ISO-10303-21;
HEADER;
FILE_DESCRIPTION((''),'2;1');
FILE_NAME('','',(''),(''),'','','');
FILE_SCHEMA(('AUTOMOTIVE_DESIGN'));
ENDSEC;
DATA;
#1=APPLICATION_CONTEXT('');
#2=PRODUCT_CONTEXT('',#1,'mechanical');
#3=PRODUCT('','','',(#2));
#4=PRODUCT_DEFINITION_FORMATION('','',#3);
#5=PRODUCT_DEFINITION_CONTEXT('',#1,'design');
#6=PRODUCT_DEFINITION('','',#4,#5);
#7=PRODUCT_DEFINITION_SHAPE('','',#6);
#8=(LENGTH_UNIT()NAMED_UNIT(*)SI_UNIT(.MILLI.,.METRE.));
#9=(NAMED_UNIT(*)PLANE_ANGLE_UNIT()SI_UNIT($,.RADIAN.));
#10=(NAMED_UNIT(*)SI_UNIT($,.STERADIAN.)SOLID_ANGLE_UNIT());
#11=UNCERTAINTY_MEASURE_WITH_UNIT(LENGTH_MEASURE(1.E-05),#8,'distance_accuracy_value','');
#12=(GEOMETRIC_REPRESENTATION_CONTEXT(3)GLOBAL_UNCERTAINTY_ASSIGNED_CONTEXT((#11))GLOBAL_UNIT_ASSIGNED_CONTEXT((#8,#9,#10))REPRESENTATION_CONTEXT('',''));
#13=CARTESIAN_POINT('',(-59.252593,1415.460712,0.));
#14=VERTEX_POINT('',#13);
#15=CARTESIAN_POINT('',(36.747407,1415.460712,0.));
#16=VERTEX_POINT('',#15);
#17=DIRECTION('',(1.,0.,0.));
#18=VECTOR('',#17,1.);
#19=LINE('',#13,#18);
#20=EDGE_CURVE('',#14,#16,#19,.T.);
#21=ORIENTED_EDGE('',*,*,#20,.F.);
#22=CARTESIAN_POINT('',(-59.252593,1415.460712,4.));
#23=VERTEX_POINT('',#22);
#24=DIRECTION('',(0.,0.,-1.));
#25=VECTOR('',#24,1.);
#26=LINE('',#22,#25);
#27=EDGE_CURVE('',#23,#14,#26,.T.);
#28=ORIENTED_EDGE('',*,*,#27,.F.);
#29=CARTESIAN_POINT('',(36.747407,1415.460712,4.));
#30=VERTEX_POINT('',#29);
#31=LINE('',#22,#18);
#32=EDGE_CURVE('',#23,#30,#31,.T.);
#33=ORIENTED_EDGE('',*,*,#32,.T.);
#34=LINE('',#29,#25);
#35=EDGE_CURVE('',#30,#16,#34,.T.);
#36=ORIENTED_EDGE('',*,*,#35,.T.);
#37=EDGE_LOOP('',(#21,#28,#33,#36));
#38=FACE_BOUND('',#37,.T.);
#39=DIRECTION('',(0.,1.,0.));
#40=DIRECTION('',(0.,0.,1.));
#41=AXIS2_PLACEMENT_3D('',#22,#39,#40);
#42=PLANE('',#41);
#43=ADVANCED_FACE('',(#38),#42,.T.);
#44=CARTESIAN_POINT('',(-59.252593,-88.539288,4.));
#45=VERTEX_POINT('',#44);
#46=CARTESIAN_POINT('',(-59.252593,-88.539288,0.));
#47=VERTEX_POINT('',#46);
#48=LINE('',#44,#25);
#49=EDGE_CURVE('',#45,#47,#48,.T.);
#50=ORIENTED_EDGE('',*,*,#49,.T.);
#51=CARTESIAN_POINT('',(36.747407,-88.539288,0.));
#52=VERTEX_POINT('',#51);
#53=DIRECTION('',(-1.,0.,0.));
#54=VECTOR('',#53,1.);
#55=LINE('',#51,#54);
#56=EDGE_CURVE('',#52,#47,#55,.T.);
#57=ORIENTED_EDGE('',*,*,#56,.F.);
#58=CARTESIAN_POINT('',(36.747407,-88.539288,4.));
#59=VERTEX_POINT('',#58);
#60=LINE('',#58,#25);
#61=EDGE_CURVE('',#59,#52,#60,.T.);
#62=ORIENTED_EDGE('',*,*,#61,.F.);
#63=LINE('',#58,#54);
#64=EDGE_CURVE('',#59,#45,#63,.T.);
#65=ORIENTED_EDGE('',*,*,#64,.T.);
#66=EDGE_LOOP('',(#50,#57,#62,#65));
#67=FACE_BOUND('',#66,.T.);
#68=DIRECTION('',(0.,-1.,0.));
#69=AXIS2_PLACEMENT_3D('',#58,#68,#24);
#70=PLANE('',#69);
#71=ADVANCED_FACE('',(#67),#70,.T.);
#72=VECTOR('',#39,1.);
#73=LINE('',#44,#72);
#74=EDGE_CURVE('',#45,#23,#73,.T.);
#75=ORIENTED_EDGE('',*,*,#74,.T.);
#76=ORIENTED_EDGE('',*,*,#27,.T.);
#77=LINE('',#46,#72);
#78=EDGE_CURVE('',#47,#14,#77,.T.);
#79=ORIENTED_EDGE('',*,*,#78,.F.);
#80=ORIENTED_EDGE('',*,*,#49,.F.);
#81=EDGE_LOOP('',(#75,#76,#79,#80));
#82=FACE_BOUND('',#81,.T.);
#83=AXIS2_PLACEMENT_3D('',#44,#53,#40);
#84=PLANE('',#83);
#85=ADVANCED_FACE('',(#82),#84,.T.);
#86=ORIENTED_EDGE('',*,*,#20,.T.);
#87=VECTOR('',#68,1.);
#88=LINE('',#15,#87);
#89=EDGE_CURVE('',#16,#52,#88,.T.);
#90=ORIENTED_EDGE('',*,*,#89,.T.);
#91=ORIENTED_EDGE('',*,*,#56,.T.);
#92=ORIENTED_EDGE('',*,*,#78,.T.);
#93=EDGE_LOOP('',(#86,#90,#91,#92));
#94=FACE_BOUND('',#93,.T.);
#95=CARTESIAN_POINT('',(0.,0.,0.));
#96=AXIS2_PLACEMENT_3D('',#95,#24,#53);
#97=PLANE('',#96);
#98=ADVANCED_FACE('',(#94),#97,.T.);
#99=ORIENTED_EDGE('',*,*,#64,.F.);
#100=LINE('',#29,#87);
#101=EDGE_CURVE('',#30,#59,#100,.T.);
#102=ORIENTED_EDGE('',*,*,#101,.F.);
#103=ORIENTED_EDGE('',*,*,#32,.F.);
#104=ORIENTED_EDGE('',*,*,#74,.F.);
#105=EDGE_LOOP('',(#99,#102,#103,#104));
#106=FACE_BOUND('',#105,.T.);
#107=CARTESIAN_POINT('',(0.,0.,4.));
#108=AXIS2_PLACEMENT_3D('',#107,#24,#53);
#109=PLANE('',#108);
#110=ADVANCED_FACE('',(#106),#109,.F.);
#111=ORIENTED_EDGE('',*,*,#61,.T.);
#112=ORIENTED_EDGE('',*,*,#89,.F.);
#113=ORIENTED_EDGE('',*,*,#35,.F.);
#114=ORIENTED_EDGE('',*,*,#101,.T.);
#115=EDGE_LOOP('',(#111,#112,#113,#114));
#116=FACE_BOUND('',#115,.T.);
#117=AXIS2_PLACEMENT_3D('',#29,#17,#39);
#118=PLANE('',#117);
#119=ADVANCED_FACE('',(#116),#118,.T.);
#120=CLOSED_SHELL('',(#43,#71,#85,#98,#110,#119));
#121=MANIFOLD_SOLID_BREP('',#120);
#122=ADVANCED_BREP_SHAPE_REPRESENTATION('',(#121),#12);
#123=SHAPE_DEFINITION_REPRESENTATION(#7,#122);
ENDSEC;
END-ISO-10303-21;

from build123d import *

# Parameters (mm, degrees)
SKETCH1_W           = 96
SKETCH1_H           = 1504
BOSS_EXTRUDE1_DEPTH = 4


with BuildPart() as part:
    # Sketch1 → Boss-Extrude1 (new body)
    with BuildSketch(Plane.XY):
        with Locations((-11.252592981, 663.460712415)):
            Rectangle(SKETCH1_W, SKETCH1_H)
    extrude(amount=BOSS_EXTRUDE1_DEPTH)


solid = part.part
